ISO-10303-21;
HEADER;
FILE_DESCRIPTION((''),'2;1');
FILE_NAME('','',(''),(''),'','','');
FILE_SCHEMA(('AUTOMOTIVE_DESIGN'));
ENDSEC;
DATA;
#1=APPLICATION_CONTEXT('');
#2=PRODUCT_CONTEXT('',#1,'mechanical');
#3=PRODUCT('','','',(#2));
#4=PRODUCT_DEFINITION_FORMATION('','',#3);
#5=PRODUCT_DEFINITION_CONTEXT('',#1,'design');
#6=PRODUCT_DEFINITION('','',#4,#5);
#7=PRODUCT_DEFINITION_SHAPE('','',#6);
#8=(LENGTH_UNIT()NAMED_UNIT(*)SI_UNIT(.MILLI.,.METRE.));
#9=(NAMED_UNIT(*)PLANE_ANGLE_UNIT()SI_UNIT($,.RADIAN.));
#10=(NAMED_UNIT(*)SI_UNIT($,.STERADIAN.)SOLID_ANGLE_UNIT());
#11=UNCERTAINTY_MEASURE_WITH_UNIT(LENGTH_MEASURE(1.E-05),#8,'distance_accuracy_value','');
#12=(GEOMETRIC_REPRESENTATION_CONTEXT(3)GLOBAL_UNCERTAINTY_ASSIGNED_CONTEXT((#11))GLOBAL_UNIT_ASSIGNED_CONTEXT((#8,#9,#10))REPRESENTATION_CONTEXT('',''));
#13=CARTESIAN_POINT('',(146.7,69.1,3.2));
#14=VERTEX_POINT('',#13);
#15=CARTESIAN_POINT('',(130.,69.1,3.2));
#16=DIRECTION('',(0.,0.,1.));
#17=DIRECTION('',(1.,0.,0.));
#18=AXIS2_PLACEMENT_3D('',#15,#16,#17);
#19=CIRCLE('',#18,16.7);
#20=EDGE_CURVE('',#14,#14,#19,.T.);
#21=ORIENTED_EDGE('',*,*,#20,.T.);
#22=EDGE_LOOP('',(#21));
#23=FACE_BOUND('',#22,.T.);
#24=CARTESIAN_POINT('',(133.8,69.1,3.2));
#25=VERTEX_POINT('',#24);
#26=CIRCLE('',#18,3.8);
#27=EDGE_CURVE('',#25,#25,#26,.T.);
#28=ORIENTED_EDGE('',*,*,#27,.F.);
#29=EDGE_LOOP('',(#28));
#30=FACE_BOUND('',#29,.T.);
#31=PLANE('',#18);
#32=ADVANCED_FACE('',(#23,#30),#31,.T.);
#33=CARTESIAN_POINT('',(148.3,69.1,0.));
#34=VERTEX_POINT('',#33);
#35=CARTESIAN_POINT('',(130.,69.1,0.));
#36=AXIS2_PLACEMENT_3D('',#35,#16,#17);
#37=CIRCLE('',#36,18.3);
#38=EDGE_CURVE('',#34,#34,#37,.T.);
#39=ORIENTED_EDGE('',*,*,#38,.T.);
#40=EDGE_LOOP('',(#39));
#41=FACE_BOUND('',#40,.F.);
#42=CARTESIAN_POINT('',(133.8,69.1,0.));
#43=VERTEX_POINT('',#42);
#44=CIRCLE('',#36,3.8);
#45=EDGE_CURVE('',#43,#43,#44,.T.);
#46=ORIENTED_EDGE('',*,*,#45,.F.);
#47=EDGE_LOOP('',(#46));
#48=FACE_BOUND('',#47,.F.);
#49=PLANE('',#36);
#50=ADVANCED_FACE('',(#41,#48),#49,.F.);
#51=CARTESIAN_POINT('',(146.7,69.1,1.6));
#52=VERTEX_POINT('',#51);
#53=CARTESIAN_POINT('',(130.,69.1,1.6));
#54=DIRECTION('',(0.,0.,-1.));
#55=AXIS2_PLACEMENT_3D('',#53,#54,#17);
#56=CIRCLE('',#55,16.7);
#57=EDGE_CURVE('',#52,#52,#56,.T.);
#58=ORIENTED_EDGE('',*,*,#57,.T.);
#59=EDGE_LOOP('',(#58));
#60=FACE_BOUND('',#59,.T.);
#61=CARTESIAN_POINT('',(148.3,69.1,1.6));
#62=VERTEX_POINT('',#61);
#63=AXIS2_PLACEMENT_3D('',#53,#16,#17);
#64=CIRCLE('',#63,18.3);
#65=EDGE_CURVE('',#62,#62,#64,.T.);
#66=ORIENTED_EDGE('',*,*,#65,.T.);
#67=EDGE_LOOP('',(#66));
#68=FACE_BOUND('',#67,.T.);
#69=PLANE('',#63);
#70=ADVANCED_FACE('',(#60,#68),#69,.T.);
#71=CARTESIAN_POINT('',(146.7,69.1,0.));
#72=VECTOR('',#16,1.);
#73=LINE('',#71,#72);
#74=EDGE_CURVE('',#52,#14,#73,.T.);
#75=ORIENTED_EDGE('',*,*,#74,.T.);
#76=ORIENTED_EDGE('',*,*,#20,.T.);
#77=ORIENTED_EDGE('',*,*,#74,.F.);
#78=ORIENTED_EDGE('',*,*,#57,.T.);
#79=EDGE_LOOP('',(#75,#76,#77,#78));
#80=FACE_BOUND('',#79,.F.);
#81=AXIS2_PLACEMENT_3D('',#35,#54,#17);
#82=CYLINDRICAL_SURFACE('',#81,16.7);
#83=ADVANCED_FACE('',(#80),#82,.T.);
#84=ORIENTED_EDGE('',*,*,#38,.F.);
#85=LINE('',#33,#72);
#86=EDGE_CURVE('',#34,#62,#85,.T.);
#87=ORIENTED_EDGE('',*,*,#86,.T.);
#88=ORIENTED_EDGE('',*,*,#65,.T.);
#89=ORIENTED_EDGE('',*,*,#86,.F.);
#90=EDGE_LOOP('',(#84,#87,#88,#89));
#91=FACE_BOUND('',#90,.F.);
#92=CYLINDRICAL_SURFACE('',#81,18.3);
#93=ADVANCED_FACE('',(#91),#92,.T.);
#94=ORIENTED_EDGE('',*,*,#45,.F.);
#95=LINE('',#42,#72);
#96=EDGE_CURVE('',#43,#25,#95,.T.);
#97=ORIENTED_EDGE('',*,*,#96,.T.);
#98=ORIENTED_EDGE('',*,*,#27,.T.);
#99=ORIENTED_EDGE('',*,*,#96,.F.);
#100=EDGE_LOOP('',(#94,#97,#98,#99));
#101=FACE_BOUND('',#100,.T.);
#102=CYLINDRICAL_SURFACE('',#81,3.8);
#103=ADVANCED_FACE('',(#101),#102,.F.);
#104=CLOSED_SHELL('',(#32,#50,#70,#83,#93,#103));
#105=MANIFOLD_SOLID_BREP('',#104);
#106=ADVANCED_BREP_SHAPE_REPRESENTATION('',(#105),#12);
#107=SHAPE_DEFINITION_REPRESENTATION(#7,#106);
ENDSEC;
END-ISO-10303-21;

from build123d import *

# Parameters (mm, degrees)
CYLINDER015_R     = 3.8
CYLINDER015_DEPTH = 3.2
CYLINDER014_R     = 18.3
CYLINDER014_DEPTH = 1.6
CYLINDER013_R     = 16.7
CYLINDER013_DEPTH = 3.2


with BuildPart() as zylinder015:
    # Cylinder015 → Cylinder015 (new body)
    with BuildSketch(Plane(origin=(130, 69.1, 0), x_dir=(1, 0, 0), z_dir=(0, 0, 1))):
        Circle(CYLINDER015_R)
    extrude(amount=CYLINDER015_DEPTH)


with BuildPart() as zylinder014:
    # Cylinder014 → Cylinder014 (new body)
    with BuildSketch(Plane(origin=(130, 69.1, 0), x_dir=(1, 0, 0), z_dir=(0, 0, 1))):
        Circle(CYLINDER014_R)
    extrude(amount=CYLINDER014_DEPTH)


with BuildPart() as ring:
    # Cylinder013 → Cylinder013 (new body)
    with BuildSketch(Plane(origin=(130, 69.1, 0), x_dir=(1, 0, 0), z_dir=(0, 0, 1))):
        Circle(CYLINDER013_R)
    extrude(amount=CYLINDER013_DEPTH)

    # Fusion010: union Zylinder014
    add(zylinder014.part)

    # Cut007: cut Zylinder015
    add(zylinder015.part, mode=Mode.SUBTRACT)


solid = ring.part
